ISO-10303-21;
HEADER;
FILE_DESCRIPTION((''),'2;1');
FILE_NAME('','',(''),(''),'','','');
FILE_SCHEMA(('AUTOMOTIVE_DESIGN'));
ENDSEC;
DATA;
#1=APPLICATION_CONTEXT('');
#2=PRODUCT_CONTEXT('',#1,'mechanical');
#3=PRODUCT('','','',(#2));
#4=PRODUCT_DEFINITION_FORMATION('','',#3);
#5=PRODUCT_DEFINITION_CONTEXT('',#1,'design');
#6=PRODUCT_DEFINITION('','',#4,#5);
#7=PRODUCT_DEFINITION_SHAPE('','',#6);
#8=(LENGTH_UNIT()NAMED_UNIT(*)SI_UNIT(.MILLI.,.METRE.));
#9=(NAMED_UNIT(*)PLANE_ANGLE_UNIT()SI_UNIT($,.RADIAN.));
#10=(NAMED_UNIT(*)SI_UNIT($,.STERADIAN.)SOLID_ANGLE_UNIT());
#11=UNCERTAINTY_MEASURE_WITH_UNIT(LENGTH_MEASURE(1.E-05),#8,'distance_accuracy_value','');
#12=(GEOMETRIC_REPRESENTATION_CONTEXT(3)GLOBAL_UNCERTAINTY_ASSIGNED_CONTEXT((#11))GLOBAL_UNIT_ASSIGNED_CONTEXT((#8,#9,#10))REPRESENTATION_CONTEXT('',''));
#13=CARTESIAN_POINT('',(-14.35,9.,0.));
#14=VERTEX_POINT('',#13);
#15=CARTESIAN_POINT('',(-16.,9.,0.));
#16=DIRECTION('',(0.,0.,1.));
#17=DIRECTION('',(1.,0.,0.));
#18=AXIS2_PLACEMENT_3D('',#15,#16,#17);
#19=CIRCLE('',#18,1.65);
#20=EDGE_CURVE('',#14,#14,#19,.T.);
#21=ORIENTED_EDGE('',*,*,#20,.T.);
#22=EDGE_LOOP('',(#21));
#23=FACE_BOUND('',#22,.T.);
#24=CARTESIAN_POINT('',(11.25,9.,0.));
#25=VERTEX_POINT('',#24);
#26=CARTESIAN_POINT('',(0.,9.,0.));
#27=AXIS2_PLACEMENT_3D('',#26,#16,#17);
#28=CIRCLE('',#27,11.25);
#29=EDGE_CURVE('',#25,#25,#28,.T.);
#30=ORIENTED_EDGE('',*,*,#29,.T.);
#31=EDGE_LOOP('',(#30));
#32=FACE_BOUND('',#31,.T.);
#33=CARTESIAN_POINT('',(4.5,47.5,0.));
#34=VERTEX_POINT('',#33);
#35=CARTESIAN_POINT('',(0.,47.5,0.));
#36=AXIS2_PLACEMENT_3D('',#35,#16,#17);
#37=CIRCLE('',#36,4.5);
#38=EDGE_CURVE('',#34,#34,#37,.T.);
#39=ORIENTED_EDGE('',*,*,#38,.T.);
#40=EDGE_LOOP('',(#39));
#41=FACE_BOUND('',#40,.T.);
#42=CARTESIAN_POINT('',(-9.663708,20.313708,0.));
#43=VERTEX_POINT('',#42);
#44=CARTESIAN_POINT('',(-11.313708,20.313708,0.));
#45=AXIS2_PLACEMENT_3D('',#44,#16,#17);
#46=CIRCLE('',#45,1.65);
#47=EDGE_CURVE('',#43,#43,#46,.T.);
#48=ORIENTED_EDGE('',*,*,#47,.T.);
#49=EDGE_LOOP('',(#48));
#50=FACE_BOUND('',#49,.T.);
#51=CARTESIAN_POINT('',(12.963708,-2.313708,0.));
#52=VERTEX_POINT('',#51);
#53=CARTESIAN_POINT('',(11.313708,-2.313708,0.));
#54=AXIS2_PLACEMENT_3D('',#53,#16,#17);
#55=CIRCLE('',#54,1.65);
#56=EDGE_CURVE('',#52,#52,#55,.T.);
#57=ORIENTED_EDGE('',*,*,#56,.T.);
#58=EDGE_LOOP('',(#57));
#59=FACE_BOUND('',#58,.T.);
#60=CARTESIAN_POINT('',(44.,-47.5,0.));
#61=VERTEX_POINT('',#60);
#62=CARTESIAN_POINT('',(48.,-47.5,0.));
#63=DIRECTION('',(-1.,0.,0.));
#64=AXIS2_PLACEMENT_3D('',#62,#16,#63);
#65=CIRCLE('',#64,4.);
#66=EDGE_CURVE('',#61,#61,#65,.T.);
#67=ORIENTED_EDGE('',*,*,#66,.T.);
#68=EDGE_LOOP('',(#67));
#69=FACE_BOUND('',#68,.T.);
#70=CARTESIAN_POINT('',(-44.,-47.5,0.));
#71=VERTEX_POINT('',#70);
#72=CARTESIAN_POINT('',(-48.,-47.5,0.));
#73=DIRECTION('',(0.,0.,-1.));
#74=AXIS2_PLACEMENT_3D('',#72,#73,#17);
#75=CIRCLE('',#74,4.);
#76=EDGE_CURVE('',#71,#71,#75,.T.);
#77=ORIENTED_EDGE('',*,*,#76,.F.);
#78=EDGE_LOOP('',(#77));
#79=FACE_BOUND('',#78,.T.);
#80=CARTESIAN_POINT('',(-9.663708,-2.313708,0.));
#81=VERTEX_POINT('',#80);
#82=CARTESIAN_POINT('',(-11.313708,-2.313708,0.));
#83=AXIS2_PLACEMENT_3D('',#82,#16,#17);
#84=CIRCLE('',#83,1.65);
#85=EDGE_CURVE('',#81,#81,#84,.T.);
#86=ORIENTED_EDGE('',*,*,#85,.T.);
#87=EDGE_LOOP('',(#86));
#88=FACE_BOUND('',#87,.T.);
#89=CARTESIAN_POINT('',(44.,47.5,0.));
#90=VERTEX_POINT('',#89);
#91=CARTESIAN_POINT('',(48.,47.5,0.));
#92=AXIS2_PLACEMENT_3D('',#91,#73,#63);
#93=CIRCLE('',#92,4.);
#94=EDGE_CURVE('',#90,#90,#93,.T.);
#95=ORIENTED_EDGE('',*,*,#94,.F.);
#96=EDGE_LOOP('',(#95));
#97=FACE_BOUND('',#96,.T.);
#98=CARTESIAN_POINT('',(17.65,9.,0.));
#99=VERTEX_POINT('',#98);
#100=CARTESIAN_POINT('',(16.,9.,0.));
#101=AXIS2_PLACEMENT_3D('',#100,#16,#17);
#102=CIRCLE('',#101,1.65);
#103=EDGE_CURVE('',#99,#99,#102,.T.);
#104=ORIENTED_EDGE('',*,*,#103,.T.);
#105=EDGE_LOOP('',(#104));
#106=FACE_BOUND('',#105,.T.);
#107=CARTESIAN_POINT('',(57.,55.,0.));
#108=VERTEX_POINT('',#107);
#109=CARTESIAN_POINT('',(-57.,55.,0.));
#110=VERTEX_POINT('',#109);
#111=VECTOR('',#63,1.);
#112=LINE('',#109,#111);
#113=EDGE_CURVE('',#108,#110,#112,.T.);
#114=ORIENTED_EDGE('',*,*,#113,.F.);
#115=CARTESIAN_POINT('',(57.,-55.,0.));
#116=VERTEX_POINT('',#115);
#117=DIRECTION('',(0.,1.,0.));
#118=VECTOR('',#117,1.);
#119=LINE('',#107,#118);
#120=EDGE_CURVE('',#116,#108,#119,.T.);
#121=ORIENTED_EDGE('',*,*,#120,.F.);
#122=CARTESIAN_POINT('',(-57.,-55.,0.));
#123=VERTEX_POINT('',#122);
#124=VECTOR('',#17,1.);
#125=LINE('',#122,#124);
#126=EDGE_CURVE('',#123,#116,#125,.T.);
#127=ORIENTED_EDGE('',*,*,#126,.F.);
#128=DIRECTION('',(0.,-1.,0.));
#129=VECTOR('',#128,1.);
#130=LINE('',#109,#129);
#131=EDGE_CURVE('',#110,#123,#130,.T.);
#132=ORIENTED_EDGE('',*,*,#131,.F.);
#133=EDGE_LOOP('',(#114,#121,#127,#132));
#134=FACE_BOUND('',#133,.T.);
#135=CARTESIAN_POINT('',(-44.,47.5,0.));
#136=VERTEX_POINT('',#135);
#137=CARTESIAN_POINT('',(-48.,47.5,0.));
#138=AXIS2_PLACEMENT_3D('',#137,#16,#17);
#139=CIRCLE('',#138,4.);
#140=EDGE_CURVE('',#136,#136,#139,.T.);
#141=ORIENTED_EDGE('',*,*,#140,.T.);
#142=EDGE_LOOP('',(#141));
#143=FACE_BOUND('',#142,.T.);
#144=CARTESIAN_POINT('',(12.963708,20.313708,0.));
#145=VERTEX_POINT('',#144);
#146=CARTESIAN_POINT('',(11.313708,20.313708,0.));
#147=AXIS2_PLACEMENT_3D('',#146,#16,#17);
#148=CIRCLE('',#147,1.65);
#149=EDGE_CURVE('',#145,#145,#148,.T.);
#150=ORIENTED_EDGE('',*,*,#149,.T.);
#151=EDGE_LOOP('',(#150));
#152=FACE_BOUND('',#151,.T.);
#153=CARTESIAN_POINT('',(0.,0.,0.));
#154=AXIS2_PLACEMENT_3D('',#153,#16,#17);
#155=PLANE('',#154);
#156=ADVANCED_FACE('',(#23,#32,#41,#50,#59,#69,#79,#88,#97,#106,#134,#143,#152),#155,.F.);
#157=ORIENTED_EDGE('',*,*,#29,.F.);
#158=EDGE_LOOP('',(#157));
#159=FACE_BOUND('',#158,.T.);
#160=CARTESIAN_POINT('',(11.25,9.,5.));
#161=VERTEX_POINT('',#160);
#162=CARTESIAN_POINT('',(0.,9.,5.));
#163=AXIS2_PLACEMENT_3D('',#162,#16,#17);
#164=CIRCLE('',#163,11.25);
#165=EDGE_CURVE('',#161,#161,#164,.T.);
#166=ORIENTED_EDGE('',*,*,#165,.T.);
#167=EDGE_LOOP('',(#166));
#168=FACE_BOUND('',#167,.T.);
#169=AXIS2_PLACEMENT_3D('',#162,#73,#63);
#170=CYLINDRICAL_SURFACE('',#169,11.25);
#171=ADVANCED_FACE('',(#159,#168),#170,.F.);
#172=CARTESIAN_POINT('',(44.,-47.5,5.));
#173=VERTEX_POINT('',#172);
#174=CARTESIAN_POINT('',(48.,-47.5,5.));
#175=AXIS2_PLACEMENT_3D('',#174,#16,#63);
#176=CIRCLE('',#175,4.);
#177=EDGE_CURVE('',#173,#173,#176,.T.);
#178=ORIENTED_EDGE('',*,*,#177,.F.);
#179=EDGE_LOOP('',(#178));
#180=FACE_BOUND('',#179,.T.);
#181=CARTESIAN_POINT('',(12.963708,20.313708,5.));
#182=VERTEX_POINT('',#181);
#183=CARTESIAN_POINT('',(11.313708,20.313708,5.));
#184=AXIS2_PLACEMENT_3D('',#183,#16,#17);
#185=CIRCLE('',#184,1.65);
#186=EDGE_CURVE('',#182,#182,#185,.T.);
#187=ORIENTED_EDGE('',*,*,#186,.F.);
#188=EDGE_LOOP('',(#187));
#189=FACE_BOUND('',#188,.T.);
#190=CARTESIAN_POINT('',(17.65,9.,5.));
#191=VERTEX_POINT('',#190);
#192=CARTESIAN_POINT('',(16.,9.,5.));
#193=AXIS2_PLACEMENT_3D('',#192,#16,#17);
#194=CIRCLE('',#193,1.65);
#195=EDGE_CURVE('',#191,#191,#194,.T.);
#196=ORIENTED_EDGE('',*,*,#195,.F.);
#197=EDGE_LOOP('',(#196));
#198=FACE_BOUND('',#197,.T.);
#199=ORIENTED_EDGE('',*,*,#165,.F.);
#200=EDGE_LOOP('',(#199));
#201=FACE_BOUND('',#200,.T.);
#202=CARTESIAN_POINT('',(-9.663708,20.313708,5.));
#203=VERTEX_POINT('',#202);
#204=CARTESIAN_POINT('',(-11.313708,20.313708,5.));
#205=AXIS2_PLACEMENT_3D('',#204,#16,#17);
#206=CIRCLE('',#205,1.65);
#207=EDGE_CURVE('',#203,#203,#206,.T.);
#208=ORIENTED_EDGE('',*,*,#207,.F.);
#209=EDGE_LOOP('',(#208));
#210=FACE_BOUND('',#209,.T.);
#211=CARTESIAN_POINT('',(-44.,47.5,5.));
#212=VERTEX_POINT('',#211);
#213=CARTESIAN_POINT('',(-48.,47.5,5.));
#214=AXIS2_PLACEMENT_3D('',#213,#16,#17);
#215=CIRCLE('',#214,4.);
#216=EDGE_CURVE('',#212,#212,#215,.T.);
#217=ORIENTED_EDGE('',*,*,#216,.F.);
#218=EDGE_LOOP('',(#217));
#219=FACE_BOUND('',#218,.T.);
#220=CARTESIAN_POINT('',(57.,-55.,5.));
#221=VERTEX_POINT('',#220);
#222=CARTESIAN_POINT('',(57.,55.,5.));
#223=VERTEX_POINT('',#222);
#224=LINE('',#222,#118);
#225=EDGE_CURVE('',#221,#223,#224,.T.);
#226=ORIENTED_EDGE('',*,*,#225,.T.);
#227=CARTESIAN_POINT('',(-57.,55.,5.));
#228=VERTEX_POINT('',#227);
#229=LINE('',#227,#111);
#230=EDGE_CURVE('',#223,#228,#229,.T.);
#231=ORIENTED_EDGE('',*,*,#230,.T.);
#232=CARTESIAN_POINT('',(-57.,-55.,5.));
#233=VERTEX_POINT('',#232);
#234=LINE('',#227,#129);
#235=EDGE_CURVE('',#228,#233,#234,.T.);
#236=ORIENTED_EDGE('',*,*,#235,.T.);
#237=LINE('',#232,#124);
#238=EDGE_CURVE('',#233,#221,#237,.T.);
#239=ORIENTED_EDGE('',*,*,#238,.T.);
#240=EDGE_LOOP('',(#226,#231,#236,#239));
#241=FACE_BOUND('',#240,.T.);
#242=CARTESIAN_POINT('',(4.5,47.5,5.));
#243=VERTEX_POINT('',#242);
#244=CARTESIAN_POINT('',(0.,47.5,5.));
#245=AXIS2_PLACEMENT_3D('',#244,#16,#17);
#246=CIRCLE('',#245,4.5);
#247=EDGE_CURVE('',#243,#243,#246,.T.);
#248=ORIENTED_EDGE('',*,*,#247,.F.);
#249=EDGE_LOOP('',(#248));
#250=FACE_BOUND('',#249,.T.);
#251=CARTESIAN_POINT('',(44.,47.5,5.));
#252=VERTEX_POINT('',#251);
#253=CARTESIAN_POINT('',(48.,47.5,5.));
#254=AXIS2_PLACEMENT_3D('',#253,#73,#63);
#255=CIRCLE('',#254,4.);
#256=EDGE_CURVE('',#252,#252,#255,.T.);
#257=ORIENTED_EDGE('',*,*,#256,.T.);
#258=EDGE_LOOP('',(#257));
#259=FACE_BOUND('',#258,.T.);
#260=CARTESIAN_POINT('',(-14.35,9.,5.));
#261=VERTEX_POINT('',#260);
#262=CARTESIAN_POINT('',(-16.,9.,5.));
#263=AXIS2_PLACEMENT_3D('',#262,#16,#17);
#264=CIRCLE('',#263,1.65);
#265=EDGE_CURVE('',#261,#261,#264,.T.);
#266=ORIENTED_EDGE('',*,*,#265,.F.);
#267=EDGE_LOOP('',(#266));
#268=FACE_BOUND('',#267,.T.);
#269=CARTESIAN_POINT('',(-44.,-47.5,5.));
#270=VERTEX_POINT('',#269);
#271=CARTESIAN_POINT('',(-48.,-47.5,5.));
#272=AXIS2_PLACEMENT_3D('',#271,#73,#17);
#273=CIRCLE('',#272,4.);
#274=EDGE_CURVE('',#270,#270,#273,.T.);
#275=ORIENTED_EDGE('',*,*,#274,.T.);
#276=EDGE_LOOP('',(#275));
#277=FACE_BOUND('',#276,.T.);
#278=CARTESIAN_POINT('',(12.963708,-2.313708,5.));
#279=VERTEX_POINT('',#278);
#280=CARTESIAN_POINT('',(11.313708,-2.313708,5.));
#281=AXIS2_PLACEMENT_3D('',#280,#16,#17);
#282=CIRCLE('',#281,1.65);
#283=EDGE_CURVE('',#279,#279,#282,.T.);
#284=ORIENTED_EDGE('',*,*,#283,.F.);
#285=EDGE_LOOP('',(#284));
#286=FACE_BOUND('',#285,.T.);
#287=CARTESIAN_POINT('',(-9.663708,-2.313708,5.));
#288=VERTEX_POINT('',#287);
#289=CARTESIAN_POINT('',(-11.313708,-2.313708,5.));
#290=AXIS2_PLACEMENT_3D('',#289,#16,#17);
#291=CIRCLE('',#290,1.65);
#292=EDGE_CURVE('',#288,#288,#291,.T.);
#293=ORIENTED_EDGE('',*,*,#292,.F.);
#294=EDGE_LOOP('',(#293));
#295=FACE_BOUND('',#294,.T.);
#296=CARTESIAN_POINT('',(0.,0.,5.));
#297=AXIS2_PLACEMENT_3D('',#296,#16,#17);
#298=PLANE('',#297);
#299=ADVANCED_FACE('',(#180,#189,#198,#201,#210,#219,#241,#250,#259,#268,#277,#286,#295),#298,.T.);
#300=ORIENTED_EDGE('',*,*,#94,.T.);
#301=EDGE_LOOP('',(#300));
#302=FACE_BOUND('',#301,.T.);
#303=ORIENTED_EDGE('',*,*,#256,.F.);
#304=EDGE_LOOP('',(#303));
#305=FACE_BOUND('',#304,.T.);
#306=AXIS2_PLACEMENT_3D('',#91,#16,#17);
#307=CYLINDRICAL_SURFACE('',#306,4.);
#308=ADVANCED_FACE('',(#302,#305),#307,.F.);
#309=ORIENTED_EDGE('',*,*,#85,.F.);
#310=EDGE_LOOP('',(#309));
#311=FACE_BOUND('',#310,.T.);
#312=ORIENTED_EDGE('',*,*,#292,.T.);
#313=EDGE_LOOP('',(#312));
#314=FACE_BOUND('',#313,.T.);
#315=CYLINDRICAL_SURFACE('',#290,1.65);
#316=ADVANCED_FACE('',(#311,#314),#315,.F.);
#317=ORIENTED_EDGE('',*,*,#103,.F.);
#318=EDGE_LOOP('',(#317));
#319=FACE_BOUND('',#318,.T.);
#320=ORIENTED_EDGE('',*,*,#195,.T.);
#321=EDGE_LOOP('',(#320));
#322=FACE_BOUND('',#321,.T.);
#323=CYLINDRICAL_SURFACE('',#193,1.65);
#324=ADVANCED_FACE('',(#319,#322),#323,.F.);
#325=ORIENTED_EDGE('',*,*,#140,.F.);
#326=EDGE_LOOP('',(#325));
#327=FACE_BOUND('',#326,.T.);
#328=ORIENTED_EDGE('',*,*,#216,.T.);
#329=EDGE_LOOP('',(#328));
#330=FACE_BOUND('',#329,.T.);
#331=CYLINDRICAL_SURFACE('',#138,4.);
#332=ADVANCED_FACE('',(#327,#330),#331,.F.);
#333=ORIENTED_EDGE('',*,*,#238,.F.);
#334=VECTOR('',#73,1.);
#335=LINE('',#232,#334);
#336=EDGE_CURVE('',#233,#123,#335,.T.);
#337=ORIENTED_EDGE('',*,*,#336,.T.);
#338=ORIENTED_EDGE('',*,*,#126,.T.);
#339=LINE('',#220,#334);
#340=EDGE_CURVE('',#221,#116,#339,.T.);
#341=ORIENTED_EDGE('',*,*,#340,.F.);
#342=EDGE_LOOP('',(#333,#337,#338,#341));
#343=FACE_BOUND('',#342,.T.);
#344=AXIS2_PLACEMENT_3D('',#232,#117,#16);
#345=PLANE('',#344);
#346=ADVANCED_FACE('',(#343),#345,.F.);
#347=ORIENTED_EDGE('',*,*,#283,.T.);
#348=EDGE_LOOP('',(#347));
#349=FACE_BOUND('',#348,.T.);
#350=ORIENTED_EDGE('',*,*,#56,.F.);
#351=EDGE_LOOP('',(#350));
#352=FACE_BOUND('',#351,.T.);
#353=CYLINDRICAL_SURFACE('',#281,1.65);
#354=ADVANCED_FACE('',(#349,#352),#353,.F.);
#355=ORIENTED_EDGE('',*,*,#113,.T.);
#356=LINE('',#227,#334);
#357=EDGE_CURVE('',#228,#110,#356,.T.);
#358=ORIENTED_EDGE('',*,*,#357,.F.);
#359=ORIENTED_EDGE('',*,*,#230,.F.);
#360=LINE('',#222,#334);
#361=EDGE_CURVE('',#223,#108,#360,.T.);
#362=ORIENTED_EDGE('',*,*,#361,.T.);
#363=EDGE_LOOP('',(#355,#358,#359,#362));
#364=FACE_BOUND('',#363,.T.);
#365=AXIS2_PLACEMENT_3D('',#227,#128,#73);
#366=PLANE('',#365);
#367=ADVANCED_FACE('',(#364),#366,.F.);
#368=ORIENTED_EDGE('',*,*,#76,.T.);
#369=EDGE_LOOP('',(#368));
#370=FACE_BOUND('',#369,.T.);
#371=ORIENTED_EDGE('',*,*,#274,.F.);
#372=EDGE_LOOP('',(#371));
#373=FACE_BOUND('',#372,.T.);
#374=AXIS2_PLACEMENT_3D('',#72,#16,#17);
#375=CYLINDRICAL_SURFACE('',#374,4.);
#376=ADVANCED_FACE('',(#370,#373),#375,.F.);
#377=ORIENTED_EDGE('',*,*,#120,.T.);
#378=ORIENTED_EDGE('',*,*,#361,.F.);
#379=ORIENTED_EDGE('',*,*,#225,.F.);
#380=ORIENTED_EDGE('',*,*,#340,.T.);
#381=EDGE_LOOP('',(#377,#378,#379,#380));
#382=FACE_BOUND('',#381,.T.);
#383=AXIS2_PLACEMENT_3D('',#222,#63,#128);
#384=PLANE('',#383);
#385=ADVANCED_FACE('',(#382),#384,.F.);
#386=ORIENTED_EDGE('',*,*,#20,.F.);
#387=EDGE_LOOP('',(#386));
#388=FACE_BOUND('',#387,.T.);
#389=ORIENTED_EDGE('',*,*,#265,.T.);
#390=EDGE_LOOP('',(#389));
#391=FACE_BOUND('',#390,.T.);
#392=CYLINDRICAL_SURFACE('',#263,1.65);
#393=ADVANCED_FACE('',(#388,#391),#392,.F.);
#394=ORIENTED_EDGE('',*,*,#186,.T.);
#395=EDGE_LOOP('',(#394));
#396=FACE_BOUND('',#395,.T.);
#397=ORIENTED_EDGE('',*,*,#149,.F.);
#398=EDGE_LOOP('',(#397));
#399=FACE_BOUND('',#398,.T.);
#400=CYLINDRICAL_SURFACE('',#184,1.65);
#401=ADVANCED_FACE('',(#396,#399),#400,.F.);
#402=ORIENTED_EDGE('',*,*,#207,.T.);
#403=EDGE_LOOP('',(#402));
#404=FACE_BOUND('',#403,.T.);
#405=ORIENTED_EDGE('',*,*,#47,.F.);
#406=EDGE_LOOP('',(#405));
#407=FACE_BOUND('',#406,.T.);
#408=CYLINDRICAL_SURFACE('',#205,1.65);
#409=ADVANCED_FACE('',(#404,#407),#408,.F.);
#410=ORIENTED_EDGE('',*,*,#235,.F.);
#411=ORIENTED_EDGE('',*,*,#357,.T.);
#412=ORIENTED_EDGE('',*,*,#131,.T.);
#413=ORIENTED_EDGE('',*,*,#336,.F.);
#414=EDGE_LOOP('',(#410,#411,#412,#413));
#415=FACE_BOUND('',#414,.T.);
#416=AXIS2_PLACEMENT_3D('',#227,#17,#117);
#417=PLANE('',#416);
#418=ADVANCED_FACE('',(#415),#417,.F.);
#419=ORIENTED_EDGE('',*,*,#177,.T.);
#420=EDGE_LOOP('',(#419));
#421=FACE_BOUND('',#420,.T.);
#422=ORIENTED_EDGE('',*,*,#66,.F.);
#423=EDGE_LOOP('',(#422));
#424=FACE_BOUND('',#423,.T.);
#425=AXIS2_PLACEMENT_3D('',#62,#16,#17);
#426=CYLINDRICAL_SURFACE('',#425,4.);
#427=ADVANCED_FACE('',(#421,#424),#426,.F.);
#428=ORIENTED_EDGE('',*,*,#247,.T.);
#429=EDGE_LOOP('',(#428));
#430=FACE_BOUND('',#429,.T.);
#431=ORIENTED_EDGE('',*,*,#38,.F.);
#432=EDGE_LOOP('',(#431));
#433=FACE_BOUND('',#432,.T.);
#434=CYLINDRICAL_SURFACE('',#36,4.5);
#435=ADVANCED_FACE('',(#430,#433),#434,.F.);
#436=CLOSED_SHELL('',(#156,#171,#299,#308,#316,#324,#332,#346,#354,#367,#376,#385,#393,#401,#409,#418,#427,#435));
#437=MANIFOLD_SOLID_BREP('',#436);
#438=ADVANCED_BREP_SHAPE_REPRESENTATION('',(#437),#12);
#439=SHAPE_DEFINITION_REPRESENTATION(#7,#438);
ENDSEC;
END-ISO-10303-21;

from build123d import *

# Parameters (mm, degrees)
SKETCH_1_W               = 114
SKETCH_1_H               = 110
SKETCH_1_R               = 11.25
EXTRUDE_1_DEPTH          = 5
SKETCH_2_R               = 4
CUT_EXTRUDE_1_DEPTH      = 80.366239674
MIRROR_2_COPY_1_SKETCH_R = 4
MIRROR_2_COPY_1_DEPTH    = 80.366239674
HOLE_WIZARD_M4_2_D       = 3.3
HOLE_WIZARD_M4_3_D       = 3.3
HOLE_WIZARD_M4_4_D       = 3.3
SKETCH_3_R               = 4.5
CUT_EXTRUDE_2_DEPTH      = 80.366239674


with BuildPart() as part:
    # 草图1 → 凸台-拉伸1 (new body)
    with BuildSketch(Plane.XY):
        Rectangle(SKETCH_1_W, SKETCH_1_H)
        with Locations((0, 9)):
            Circle(SKETCH_1_R, mode=Mode.SUBTRACT)
    extrude(amount=EXTRUDE_1_DEPTH)

    # 草图2 → 切除-拉伸1 (cut, through all)
    with BuildSketch(Plane.XY.offset(5)):
        with Locations((-48, 47.5)):
            Circle(SKETCH_2_R)
    cut_extrude_1 = extrude(amount=-CUT_EXTRUDE_1_DEPTH, mode=Mode.SUBTRACT)

    # 镜向1: 切除-拉伸1 across plane
    add(cut_extrude_1.mirror(Plane.ZX), mode=Mode.SUBTRACT)

    # 镜向2: 切除-拉伸1 across plane
    add(cut_extrude_1.mirror(Plane(origin=(0, 0, 0), x_dir=(0, 0, 1), z_dir=(1, 0, 0))), mode=Mode.SUBTRACT)

    # 镜向2 copy 1 sketch → 镜向2 copy 1 (cut, through all)
    with BuildSketch(Plane(origin=(0, 0, 5), x_dir=(-1, 0, 0), z_dir=(0, 0, 1))):
        with Locations((-48, 47.5)):
            Circle(MIRROR_2_COPY_1_SKETCH_R)
    extrude(amount=-MIRROR_2_COPY_1_DEPTH, mode=Mode.SUBTRACT)

    # M4 螺纹孔的螺纹孔钻头2 (through all)
    with Locations(Plane(origin=(-16, 9, 5), x_dir=(1, 0, 0), z_dir=(0, 0, 1))):
        with Locations((0, 0)):
            Hole(HOLE_WIZARD_M4_2_D / 2)

    # M4 螺纹孔的螺纹孔钻头3 (through all)
    with Locations(Plane(origin=(-11.313708499, 20.313708499, 5), x_dir=(1, 0, 0), z_dir=(0, 0, 1))):
        with Locations((0, 0), (0, -22.627416998)):
            Hole(HOLE_WIZARD_M4_3_D / 2)

    # M4 螺纹孔的螺纹孔钻头4 (through all)
    with Locations(Plane(origin=(11.313708499, 20.313708499, 5), x_dir=(1, 0, 0), z_dir=(0, 0, 1))):
        with Locations((0, 0), (4.686291501, -11.313708499), (0, -22.627416998)):
            Hole(HOLE_WIZARD_M4_4_D / 2)

    # 草图3 → 切除-拉伸2 (cut, through all)
    with BuildSketch(Plane.XY.offset(5)):
        with Locations((0, 47.5)):
            Circle(SKETCH_3_R)
    extrude(amount=-CUT_EXTRUDE_2_DEPTH, mode=Mode.SUBTRACT)


solid = part.part
